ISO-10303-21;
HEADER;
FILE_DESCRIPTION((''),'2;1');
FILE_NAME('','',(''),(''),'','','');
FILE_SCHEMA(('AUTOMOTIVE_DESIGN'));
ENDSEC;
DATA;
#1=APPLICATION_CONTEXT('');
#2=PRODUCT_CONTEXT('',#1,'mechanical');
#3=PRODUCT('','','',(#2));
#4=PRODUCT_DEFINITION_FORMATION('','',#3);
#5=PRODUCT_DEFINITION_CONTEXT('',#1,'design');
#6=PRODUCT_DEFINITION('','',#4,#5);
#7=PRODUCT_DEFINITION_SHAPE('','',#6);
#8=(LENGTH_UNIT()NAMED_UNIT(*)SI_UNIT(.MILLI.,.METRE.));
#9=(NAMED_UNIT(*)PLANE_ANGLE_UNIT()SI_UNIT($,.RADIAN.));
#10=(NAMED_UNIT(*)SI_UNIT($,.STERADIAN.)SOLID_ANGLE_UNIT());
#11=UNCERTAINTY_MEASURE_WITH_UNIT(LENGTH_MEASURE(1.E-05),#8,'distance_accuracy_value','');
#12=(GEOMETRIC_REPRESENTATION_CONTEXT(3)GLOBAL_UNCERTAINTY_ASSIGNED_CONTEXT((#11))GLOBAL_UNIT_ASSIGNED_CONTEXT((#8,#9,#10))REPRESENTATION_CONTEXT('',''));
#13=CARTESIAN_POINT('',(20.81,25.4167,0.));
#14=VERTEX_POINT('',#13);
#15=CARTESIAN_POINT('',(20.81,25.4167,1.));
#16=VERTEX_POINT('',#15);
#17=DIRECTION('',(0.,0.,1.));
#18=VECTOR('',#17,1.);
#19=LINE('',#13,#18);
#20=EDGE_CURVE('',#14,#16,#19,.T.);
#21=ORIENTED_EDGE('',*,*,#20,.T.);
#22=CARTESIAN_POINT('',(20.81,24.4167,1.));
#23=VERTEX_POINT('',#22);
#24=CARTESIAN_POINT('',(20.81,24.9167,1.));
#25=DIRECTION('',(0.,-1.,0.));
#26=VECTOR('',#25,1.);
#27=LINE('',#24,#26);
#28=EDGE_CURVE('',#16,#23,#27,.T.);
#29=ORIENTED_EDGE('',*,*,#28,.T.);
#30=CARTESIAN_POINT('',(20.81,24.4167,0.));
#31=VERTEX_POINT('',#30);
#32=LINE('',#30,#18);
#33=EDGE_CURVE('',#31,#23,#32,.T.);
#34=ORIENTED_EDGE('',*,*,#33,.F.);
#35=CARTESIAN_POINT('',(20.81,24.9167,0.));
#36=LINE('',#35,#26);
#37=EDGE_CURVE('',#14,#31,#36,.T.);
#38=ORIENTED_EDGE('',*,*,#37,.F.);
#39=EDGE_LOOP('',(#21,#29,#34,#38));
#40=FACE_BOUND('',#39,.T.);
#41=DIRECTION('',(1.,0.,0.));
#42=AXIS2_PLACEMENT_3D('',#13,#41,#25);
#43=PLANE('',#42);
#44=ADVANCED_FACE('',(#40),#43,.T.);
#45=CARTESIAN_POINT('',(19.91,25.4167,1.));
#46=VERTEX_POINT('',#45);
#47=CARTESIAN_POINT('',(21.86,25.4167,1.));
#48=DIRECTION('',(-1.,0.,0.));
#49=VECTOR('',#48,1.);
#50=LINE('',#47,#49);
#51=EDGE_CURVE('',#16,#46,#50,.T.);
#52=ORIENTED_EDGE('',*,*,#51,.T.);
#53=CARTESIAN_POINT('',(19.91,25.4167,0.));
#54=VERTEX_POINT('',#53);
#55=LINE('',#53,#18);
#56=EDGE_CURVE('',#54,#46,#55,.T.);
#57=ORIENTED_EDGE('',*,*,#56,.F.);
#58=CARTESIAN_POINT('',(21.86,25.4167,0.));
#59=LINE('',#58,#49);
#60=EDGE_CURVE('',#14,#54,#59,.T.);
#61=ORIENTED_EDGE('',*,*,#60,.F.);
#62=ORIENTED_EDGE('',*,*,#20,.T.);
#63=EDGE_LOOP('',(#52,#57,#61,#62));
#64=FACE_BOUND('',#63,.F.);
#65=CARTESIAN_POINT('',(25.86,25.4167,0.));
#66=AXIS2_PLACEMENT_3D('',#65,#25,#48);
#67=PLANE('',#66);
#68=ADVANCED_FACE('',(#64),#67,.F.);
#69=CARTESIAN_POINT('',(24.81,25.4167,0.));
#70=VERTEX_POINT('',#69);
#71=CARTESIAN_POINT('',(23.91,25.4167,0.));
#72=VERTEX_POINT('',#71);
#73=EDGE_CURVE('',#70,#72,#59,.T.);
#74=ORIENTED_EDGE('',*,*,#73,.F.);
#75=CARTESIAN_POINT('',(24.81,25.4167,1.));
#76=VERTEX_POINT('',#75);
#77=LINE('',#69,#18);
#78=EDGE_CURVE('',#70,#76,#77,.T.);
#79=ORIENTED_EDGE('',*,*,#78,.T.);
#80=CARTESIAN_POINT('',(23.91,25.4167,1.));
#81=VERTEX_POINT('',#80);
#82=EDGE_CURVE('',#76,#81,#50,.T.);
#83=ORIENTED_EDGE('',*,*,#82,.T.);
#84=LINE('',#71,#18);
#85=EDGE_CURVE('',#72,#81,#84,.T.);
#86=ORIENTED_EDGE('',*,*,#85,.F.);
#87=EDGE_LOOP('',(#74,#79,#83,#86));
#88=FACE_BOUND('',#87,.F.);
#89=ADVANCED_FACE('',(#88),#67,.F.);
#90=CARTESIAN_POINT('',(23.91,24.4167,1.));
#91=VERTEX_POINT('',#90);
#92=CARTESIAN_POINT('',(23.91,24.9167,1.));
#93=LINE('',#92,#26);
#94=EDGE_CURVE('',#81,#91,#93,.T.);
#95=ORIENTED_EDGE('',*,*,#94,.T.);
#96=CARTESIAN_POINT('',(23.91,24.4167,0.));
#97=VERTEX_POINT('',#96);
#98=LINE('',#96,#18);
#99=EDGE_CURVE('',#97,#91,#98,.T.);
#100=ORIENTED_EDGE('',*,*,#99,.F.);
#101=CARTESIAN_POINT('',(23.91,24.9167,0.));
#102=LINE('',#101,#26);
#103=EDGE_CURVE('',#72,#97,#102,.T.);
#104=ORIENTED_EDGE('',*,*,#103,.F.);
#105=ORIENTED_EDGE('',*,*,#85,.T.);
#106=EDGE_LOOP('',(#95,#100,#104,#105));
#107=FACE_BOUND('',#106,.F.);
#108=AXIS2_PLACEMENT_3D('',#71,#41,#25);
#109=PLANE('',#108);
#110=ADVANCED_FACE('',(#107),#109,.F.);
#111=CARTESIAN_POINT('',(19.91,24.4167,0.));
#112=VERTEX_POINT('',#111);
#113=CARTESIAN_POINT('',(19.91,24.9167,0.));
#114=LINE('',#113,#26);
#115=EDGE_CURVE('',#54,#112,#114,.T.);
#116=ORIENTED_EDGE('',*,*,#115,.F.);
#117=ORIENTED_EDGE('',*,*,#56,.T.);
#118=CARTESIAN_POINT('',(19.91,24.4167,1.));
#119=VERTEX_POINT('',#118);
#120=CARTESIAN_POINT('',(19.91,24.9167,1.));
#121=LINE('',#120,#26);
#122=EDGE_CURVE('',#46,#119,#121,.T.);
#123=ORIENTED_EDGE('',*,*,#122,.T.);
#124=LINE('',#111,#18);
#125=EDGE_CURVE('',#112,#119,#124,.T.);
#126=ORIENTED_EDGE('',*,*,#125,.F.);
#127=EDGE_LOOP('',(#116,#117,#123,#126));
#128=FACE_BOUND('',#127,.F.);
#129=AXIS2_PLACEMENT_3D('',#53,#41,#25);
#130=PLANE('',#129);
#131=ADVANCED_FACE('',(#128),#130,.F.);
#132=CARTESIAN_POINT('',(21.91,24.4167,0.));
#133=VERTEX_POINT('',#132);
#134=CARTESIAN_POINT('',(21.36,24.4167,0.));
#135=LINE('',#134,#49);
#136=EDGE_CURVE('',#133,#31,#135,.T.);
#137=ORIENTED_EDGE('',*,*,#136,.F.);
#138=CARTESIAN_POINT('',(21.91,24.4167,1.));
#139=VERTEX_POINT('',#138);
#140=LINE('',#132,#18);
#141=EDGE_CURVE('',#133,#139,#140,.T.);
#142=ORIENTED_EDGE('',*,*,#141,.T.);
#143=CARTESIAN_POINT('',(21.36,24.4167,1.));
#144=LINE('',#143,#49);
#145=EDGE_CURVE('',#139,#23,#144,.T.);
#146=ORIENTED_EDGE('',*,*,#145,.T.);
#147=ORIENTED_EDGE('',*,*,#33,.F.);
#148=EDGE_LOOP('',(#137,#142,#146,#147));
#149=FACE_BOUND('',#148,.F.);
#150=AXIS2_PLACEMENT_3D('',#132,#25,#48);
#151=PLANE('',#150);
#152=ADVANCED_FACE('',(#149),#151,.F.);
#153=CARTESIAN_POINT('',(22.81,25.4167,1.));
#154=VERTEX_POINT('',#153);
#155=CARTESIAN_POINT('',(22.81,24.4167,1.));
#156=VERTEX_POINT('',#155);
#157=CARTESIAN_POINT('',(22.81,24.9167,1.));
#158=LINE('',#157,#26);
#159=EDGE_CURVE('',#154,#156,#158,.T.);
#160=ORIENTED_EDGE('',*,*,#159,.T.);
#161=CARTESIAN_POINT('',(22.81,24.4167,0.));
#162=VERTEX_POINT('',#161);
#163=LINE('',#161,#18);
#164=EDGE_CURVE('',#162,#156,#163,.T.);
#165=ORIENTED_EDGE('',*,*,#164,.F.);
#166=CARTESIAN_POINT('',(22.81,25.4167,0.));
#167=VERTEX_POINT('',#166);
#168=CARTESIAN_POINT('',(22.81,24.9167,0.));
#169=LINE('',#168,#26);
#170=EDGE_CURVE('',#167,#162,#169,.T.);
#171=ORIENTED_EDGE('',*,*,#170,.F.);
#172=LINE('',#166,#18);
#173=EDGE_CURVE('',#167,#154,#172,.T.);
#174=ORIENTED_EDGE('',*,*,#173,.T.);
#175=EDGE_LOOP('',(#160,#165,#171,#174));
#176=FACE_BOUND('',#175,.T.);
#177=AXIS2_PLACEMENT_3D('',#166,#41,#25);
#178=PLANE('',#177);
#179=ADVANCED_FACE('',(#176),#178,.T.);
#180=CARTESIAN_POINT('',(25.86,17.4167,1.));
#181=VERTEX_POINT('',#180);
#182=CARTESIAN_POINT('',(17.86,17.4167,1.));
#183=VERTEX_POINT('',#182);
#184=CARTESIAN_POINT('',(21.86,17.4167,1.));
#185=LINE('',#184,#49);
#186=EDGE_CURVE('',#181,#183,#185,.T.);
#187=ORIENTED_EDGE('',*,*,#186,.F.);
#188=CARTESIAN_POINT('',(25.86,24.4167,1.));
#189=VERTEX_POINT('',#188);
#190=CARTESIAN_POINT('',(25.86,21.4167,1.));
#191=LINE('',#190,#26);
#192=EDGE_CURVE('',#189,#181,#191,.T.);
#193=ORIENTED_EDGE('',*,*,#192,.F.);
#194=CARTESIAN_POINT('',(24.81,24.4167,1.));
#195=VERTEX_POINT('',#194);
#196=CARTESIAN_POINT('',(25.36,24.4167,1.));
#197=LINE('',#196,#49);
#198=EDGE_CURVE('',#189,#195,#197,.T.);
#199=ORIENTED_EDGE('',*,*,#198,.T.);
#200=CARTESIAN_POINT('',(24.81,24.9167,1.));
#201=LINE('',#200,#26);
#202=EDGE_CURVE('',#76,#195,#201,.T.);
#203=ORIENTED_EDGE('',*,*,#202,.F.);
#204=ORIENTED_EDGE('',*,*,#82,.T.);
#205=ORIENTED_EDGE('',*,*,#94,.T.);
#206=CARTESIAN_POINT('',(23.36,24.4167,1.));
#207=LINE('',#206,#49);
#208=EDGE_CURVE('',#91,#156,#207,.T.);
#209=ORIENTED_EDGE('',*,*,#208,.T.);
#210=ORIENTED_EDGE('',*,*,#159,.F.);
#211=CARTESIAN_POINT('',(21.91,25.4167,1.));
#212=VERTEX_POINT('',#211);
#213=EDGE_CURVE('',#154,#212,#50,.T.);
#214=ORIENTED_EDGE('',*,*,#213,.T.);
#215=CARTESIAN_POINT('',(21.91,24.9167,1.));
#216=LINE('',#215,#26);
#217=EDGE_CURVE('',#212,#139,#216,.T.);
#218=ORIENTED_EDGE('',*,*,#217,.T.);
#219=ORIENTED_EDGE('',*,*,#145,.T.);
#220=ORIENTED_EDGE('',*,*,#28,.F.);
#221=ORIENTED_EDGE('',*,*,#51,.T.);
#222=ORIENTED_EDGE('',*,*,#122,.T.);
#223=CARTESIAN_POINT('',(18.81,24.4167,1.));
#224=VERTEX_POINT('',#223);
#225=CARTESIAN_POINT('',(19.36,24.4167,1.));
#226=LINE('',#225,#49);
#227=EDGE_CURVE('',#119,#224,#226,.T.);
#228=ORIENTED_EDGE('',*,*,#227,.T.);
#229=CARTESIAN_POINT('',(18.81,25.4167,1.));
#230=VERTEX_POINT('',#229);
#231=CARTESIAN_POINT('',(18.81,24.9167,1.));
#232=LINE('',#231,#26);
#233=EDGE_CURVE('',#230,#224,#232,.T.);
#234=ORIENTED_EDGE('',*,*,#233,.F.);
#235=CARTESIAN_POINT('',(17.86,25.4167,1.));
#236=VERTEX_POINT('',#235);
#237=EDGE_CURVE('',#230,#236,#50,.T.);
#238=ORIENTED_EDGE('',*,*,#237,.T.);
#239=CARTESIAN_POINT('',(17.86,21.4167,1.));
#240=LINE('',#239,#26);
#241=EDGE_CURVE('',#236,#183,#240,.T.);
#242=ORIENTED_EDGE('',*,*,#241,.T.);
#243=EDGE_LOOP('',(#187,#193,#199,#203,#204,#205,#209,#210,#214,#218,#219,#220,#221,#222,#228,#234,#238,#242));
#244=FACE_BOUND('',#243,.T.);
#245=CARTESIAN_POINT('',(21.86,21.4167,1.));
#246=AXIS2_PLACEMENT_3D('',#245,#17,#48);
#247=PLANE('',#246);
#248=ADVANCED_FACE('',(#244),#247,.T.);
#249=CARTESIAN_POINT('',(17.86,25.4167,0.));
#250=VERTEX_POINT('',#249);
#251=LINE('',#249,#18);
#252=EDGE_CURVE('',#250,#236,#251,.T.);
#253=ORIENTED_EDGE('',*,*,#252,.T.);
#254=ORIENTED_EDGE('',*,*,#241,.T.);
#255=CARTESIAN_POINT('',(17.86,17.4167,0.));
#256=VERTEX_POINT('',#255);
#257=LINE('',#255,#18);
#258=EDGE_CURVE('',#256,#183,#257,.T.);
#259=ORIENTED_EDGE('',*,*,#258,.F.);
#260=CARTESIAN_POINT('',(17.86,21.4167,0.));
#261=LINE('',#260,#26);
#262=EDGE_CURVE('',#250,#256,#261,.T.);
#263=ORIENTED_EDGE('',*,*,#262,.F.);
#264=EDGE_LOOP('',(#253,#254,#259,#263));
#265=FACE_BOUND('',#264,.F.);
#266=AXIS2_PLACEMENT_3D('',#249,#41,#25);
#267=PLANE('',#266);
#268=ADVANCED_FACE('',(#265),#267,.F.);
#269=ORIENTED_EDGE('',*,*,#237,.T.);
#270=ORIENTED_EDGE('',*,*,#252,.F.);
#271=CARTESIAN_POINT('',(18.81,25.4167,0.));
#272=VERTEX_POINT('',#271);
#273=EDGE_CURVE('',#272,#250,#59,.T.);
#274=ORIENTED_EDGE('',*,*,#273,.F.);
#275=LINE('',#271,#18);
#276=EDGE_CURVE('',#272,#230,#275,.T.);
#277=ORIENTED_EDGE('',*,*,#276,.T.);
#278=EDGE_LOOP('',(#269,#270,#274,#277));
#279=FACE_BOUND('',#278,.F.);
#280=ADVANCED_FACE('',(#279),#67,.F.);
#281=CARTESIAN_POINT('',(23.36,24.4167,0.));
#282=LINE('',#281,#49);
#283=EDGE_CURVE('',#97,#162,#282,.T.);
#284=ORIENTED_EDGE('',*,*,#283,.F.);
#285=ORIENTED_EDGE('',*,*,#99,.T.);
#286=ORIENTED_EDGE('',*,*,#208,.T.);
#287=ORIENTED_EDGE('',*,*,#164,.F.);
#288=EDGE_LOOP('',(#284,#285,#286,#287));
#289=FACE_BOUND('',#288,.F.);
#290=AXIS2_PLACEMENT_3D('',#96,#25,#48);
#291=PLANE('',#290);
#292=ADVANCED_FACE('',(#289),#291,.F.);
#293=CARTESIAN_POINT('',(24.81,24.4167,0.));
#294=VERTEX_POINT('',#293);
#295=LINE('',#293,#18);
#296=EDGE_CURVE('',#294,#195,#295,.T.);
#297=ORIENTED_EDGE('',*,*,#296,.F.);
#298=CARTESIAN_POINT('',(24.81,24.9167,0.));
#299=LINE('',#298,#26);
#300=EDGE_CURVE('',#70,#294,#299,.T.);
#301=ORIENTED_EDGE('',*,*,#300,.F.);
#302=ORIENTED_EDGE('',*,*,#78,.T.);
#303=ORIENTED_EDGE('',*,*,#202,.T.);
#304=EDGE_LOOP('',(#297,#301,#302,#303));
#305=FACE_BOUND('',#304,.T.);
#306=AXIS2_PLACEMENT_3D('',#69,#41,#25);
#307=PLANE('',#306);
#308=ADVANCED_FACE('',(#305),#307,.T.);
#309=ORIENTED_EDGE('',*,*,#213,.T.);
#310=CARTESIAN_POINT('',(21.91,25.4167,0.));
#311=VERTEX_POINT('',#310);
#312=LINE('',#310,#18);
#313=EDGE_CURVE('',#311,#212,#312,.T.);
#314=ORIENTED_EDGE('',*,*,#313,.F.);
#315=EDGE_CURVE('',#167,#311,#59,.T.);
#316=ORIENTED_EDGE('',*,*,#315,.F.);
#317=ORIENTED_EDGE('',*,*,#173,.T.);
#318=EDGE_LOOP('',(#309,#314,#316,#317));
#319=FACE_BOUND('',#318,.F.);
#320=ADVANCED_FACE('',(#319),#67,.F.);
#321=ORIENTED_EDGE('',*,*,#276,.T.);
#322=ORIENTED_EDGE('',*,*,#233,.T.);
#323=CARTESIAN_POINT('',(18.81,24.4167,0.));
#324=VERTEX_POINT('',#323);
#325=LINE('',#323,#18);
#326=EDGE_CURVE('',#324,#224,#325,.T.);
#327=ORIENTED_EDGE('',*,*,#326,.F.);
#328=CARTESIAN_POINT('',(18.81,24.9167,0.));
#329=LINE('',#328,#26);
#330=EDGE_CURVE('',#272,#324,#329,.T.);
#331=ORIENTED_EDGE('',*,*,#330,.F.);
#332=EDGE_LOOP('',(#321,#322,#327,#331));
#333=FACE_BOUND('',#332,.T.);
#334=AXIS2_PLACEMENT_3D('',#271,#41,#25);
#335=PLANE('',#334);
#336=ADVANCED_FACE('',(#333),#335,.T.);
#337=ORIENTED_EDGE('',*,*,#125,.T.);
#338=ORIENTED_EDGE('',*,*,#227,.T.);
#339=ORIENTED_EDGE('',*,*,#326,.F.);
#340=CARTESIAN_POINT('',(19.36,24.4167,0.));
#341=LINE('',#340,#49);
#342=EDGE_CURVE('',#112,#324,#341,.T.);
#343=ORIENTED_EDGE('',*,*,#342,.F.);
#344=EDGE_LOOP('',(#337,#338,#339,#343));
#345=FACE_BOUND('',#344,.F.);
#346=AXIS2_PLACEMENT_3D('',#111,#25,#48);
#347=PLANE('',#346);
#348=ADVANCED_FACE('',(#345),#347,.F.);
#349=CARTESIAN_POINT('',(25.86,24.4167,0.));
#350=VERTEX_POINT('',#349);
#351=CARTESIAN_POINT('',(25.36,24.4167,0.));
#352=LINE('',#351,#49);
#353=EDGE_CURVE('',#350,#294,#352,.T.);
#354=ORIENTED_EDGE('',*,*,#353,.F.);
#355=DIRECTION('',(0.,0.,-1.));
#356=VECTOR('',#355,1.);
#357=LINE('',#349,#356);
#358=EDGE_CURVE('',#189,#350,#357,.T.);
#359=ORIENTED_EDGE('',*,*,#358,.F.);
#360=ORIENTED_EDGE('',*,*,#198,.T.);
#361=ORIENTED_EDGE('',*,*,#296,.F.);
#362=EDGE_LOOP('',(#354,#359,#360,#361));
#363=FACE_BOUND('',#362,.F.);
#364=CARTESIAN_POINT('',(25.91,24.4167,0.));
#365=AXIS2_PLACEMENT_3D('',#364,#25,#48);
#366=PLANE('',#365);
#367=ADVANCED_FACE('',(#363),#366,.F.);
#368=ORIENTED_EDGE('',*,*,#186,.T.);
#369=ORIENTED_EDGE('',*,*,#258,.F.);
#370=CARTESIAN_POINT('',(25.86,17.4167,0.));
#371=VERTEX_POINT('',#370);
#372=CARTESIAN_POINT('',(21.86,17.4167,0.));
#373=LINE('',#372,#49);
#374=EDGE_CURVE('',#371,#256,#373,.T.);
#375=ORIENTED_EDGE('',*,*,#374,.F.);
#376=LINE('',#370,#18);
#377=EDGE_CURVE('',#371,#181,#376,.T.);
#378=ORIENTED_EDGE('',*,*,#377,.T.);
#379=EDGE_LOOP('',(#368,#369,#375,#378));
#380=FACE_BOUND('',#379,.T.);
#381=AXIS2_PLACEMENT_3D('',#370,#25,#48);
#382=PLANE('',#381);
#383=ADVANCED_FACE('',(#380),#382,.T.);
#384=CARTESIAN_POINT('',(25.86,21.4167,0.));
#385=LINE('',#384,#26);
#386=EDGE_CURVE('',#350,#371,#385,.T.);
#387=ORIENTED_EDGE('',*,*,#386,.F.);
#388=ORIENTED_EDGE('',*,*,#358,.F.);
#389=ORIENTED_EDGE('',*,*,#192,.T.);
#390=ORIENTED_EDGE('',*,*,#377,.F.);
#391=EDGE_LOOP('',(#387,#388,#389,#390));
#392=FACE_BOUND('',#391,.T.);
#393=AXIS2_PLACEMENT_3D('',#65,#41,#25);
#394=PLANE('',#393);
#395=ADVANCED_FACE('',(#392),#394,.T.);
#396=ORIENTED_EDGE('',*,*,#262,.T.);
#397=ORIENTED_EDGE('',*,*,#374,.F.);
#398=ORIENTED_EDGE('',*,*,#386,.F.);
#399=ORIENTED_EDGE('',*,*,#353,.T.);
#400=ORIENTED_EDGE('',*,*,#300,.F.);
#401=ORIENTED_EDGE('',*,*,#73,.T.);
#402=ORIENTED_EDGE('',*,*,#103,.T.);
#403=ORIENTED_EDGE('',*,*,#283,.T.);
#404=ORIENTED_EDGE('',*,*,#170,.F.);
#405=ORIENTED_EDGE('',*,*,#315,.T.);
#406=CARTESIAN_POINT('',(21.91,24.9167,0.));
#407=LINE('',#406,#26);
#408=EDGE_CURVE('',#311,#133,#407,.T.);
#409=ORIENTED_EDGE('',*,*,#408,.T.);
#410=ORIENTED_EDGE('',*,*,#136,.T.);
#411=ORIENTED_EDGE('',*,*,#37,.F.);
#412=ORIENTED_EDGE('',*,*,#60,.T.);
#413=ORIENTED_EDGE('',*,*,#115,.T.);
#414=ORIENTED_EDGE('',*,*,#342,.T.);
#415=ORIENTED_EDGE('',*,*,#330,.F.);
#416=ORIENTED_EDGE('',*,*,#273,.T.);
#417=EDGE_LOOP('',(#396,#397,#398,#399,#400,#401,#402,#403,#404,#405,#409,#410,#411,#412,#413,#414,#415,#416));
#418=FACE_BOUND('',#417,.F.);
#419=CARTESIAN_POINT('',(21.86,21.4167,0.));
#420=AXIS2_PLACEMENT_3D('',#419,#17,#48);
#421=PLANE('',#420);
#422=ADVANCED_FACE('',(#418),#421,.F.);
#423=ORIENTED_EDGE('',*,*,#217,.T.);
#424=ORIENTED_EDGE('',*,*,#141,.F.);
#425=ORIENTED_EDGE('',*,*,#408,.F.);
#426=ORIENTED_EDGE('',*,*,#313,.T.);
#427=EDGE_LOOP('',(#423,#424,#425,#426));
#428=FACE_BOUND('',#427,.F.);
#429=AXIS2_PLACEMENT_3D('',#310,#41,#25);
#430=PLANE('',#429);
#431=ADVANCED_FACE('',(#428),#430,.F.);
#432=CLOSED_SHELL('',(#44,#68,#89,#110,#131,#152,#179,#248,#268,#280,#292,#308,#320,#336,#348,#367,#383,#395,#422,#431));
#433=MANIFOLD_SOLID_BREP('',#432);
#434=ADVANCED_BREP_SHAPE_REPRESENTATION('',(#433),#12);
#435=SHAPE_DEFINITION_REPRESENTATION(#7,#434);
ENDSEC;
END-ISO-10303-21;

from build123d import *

# Parameters (mm, degrees)
BOX001_W              = 1.1
BOX001_H              = 1
BOX001_DEPTH          = 1
ARRAY_X_COUNT         = 4
ARRAY_X_PITCH         = 2
BOX_W                 = 8
BOX_H                 = 8
BOX_DEPTH             = 1
CLONE_PLACEMENT_ANGLE = 180


with BuildPart() as array:
    # Box001 → Box001 (new body)
    with BuildSketch(Plane(origin=(17.86, 30.4267, 0), x_dir=(1, 0, 0), z_dir=(0, 0, 1))):
        with Locations((0.55, 0.5)):
            Rectangle(BOX001_W, BOX001_H)
    extrude(amount=BOX001_DEPTH)

    # Array X: Array ×4


with BuildPart() as array_1:
    add(array.part)
    with Locations(*[(i * ARRAY_X_PITCH, 0, 0) for i in range(1, ARRAY_X_COUNT)]):
        add(array.part)


with BuildPart() as array_2:
    # Array placement: moved
    add(array_1.part.moved(Location((-0.05, 0, 0))))


with BuildPart() as fingersrev:
    # Box → Box (new body)
    with BuildSketch(Plane(origin=(17.86, 30.4267, 0), x_dir=(1, 0, 0), z_dir=(0, 0, 1))):
        with Locations((4, 4)):
            Rectangle(BOX_W, BOX_H)
    extrude(amount=BOX_DEPTH)

    # Cut: cut Array
    add(array_2.part, mode=Mode.SUBTRACT)


with BuildPart() as fingersrev_1:
    # Clone placement: moved
    add(fingersrev.part.moved(Location((43.72, 55.8434, 0))).rotate(Axis((43.72, 55.8434, 0), (0, 0, 1)), CLONE_PLACEMENT_ANGLE))


solid = fingersrev_1.part
